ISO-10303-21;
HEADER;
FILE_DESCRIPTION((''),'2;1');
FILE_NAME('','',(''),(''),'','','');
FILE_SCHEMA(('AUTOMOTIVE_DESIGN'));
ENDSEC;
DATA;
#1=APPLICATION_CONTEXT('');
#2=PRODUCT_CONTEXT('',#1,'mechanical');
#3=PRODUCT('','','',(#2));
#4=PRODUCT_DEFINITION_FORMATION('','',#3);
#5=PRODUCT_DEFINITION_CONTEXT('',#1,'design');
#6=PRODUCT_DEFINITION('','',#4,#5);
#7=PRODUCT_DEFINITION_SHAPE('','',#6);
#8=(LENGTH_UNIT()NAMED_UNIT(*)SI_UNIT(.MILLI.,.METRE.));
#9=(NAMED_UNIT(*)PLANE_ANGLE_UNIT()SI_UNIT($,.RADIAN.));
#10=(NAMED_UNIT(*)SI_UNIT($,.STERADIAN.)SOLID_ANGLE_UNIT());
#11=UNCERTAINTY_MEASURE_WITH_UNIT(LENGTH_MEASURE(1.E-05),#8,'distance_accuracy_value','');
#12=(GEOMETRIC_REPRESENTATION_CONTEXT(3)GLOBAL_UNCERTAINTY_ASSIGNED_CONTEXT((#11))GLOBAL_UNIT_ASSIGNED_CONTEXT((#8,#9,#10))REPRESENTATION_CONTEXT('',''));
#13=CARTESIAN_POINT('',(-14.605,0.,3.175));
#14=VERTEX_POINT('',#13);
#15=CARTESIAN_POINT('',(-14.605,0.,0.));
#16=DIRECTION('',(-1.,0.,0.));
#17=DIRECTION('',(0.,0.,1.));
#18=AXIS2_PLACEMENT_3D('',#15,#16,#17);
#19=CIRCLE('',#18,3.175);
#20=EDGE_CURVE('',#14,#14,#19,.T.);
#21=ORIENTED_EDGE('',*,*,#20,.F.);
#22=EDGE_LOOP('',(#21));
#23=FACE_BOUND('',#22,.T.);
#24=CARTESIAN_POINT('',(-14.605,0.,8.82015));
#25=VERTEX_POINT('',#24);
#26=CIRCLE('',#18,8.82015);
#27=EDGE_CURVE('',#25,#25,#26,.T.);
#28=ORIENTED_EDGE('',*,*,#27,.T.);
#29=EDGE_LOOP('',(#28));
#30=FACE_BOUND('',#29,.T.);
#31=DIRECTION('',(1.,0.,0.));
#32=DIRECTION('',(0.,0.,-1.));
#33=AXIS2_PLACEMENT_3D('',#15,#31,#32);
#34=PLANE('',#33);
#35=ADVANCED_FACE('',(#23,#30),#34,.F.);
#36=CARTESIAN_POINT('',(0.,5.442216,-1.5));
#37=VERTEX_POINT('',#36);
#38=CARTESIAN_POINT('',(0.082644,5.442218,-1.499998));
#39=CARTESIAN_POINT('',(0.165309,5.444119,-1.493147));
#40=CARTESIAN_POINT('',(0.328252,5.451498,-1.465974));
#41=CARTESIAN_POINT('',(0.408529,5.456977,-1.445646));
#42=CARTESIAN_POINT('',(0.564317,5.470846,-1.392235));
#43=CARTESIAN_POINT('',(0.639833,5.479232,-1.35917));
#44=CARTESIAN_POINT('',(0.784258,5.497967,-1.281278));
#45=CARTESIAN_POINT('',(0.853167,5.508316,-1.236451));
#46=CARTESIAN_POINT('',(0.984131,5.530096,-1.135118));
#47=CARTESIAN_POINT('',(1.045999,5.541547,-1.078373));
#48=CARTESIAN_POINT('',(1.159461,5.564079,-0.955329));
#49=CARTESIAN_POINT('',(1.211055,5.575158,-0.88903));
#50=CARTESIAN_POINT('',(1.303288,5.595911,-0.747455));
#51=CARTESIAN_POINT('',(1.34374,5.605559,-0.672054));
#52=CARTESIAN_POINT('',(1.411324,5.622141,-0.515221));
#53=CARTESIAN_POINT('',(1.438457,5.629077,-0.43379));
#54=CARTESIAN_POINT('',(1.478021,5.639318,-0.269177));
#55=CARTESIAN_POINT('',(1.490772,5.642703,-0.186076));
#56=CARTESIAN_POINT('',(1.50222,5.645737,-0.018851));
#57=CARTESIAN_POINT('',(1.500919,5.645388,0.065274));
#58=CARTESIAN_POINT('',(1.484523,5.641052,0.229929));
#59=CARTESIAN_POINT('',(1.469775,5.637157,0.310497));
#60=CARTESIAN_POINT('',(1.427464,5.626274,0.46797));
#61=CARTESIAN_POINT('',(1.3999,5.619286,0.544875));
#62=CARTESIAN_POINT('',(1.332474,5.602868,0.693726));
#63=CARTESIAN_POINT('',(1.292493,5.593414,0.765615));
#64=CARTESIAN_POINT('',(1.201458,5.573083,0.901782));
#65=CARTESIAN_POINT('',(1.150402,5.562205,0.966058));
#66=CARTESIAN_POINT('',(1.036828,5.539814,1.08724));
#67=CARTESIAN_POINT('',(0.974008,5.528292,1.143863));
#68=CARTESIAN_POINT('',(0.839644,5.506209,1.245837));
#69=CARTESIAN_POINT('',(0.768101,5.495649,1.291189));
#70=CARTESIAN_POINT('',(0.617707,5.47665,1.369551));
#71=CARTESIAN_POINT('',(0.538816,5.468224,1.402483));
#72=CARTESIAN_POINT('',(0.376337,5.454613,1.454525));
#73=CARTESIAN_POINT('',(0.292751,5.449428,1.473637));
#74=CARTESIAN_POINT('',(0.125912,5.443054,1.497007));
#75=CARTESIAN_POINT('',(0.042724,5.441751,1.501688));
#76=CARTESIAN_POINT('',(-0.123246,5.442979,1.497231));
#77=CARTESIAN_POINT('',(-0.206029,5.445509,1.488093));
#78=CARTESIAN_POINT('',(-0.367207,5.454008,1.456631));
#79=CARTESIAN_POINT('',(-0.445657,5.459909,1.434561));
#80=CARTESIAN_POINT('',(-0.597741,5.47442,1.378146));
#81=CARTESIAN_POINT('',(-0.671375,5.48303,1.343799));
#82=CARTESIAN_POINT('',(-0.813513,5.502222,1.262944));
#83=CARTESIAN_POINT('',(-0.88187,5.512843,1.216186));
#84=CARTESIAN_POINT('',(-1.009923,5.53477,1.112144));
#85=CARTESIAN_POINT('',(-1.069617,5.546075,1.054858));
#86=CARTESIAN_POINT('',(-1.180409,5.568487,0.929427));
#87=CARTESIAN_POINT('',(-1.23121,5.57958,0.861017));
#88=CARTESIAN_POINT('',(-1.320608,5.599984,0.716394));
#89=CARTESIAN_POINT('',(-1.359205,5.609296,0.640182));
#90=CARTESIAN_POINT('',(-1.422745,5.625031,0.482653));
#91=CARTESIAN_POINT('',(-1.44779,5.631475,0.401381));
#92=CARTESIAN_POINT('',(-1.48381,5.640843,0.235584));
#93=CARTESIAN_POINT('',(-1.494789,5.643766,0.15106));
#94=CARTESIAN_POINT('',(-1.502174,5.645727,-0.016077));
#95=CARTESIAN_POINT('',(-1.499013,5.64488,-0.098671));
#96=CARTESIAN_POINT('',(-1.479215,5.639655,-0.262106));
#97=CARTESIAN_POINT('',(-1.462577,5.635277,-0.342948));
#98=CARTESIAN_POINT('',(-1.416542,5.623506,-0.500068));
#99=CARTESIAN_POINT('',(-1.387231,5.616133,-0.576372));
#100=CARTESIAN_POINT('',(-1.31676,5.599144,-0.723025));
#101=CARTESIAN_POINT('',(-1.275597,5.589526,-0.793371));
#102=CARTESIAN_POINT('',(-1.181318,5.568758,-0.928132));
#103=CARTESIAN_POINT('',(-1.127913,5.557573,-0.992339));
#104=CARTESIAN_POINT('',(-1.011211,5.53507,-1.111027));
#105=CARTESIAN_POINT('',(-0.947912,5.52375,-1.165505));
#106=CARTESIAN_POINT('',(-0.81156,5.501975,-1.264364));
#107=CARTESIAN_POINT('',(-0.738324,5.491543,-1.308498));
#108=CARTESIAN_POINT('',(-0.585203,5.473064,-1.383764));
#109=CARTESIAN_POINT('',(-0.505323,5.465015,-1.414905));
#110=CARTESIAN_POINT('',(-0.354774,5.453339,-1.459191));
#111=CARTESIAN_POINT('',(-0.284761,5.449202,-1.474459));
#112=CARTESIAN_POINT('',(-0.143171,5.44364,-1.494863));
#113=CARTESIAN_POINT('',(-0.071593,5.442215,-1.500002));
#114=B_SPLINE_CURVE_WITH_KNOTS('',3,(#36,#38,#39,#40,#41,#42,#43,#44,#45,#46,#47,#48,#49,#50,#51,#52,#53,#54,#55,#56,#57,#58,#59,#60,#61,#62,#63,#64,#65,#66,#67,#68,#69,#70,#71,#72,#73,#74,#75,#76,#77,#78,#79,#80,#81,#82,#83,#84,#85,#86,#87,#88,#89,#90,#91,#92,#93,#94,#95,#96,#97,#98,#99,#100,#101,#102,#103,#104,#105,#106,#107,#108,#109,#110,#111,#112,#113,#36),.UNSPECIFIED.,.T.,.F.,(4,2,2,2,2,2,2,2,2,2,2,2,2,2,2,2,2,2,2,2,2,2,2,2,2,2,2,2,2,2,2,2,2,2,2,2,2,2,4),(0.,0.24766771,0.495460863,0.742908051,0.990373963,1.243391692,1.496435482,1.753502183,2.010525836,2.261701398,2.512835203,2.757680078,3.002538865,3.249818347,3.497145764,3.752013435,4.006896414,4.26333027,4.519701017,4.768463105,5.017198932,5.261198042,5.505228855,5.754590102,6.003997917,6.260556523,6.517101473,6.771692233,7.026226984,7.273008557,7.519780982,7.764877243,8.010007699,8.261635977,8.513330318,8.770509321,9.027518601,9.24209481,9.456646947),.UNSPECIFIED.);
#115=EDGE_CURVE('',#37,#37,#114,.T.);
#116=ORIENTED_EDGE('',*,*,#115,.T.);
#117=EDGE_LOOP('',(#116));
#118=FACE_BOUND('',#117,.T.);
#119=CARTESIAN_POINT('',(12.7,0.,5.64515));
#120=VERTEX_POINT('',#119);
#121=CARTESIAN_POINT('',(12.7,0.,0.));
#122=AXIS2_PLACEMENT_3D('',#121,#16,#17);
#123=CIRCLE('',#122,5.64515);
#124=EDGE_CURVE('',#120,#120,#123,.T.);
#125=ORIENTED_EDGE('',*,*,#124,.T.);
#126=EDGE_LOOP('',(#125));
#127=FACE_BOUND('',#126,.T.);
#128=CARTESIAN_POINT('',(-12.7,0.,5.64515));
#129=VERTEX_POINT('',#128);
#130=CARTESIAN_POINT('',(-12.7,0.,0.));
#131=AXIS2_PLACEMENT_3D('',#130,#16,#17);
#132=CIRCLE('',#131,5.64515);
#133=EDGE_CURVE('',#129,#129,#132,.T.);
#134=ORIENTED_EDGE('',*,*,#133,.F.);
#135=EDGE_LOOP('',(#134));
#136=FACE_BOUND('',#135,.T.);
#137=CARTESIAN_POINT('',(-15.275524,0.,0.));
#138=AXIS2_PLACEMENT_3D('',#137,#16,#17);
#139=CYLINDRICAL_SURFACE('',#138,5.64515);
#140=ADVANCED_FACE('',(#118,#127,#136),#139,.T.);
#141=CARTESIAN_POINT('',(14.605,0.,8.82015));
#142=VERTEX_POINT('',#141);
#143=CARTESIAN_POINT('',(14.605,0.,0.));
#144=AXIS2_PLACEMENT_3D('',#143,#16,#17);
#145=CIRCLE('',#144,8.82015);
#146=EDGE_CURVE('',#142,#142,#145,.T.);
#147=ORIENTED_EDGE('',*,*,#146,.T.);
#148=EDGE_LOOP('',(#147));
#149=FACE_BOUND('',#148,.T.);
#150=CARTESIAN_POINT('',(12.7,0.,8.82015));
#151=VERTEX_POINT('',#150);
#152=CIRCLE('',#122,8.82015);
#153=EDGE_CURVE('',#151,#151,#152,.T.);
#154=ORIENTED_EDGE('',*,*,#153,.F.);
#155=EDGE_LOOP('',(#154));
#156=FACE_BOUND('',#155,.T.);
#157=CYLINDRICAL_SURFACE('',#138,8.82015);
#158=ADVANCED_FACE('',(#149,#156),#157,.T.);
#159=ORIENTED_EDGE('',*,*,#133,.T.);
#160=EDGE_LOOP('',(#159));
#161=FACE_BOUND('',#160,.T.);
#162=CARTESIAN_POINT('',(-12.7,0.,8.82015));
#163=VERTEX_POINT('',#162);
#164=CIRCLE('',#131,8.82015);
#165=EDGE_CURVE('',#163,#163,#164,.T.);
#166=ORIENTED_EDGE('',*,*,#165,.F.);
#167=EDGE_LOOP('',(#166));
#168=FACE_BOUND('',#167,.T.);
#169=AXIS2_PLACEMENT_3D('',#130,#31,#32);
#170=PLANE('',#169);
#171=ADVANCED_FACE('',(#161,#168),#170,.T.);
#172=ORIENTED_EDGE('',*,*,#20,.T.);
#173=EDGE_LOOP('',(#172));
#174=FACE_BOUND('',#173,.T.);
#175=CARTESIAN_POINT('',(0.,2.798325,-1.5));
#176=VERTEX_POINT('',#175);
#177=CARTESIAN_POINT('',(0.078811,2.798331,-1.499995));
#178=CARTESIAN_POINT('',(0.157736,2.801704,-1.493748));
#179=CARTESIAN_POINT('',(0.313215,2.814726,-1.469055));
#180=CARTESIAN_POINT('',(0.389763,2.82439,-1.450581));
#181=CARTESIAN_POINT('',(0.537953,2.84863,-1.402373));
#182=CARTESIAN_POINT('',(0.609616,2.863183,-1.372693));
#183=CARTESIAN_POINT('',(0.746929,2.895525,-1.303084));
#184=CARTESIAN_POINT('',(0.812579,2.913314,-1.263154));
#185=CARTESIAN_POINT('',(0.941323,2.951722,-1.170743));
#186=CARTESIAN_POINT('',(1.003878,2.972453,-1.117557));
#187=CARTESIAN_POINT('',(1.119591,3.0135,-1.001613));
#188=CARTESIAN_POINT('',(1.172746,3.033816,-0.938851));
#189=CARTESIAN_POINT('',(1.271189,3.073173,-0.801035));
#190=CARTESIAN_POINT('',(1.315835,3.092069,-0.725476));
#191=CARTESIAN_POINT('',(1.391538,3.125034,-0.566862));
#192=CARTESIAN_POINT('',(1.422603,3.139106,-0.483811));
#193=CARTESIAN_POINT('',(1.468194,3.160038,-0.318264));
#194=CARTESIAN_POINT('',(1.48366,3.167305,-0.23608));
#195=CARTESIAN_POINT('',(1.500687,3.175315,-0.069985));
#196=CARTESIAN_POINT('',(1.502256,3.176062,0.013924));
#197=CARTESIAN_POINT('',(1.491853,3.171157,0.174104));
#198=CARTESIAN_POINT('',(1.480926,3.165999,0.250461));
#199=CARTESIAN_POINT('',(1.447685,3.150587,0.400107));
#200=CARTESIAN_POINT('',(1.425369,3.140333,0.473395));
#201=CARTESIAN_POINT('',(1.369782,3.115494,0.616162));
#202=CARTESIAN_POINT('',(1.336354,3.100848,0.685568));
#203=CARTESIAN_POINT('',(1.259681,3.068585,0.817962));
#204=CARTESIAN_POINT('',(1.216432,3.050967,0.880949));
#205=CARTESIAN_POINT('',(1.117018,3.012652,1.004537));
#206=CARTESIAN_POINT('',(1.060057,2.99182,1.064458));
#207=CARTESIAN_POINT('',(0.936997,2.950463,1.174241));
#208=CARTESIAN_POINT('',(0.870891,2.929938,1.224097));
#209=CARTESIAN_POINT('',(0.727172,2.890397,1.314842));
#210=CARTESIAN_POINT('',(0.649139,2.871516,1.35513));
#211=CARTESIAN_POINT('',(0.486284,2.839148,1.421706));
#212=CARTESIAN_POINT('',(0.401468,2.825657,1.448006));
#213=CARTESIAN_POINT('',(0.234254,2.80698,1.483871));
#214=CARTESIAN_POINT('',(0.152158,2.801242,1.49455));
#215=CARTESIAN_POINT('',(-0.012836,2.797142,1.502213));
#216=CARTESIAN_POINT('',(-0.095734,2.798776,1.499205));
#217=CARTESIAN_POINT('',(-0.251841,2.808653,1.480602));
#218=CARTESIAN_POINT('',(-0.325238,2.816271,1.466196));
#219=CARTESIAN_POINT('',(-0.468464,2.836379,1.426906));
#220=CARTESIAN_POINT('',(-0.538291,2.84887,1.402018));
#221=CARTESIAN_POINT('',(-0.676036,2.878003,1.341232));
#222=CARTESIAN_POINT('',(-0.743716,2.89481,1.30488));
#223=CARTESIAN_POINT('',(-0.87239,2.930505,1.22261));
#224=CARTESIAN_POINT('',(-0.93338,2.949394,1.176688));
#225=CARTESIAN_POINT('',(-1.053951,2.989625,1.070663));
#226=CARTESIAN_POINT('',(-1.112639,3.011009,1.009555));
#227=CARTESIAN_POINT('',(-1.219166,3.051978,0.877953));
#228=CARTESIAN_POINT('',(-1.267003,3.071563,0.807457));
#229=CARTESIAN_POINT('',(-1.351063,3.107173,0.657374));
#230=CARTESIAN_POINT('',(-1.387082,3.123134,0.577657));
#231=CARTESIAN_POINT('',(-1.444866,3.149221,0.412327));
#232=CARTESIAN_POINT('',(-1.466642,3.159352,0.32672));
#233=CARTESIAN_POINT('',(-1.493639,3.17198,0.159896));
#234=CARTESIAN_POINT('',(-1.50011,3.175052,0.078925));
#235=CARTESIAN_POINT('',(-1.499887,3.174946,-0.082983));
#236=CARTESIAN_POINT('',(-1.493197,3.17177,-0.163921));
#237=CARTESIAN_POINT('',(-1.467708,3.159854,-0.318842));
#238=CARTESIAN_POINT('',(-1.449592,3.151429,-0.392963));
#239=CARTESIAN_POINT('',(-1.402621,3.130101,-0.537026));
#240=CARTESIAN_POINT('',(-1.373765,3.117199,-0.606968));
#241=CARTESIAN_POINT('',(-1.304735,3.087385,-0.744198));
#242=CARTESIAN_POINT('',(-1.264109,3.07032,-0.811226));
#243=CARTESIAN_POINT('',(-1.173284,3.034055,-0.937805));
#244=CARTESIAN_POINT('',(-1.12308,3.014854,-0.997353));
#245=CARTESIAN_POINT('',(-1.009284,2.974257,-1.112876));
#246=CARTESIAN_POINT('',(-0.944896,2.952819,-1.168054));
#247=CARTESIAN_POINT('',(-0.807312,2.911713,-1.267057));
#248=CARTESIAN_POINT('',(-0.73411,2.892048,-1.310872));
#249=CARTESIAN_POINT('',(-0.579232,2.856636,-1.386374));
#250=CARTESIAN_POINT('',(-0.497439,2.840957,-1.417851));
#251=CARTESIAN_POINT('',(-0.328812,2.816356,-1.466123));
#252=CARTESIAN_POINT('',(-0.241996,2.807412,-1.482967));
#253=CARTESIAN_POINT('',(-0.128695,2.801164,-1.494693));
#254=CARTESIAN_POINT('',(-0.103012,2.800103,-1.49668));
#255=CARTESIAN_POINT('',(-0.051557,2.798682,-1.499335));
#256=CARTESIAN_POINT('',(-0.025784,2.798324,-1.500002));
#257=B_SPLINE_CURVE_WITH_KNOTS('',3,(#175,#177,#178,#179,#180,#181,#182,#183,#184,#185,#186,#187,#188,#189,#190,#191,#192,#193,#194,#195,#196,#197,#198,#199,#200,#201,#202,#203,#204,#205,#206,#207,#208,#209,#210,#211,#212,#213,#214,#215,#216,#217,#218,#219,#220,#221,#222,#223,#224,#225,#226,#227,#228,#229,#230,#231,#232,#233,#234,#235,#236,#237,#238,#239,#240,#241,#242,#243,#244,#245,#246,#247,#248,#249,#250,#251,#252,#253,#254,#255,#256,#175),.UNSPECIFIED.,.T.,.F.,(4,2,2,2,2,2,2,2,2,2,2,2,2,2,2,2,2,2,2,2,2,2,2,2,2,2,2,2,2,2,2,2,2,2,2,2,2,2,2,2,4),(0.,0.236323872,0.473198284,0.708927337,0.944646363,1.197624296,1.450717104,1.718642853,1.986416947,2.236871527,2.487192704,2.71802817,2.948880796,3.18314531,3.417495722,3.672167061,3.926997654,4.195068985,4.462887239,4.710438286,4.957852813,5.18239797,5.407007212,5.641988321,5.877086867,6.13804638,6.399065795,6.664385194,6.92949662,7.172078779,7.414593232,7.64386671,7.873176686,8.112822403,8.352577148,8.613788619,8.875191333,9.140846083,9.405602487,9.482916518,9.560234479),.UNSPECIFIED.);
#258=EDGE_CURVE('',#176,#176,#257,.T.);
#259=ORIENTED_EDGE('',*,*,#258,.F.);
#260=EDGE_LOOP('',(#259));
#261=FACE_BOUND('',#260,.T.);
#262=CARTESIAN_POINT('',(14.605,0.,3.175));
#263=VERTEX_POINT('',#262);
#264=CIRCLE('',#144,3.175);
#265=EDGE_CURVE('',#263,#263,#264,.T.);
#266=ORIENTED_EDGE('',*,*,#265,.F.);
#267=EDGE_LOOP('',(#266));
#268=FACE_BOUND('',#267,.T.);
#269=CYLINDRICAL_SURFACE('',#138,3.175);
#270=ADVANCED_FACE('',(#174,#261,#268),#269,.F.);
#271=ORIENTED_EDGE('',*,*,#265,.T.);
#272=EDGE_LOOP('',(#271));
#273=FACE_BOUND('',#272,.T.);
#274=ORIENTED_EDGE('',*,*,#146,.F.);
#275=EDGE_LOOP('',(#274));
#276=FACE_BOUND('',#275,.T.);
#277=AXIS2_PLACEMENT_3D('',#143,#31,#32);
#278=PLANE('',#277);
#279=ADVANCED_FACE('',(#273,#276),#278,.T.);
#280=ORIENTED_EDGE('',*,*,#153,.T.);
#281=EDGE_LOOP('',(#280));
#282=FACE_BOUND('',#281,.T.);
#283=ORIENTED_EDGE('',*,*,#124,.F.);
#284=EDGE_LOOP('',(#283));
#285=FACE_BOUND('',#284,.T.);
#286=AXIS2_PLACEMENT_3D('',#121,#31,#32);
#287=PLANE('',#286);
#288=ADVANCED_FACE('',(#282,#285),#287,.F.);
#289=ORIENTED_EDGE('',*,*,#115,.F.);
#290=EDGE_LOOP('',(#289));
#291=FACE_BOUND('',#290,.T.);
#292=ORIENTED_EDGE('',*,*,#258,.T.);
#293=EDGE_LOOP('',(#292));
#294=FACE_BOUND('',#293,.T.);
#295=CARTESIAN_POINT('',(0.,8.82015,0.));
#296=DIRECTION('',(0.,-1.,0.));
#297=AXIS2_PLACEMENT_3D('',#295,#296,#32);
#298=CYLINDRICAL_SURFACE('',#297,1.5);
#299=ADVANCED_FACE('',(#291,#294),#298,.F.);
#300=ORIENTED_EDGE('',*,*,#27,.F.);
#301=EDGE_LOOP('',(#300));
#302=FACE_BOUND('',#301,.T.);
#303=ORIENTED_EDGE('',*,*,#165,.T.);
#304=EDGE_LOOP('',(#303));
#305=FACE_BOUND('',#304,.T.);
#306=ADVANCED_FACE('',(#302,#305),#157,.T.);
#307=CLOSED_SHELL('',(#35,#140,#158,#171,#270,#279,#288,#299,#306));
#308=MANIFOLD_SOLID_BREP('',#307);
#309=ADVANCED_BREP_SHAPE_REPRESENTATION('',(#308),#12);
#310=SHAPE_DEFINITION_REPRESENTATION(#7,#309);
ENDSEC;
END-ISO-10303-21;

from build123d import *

# Parameters (mm, degrees)
SKETCH2_R          = 1.5
CUT_EXTRUDE1_DEPTH = 20.206668557


with BuildPart() as part:
    # Sketch1 → Revolve1 (revolve)
    with BuildSketch(Plane.XY):
        Polygon((14.605, 3.175), (14.605, 8.82015), (12.7, 8.82015), (12.7, 5.64515), (-12.7, 5.64515), (-12.7, 8.82015), (-14.605, 8.82015), (-14.605, 3.175), align=None)
    revolve(axis=Axis((-15.275524476, 0, 0), (1, 0, 0)))

    # Sketch2 → Cut-Extrude1 (cut, through all)
    with BuildSketch(Plane(origin=(0, 0, 0), x_dir=(1, 0, 0), z_dir=(0, 1, 0))):
        Circle(SKETCH2_R)
    extrude(amount=CUT_EXTRUDE1_DEPTH, mode=Mode.SUBTRACT)


solid = part.part
